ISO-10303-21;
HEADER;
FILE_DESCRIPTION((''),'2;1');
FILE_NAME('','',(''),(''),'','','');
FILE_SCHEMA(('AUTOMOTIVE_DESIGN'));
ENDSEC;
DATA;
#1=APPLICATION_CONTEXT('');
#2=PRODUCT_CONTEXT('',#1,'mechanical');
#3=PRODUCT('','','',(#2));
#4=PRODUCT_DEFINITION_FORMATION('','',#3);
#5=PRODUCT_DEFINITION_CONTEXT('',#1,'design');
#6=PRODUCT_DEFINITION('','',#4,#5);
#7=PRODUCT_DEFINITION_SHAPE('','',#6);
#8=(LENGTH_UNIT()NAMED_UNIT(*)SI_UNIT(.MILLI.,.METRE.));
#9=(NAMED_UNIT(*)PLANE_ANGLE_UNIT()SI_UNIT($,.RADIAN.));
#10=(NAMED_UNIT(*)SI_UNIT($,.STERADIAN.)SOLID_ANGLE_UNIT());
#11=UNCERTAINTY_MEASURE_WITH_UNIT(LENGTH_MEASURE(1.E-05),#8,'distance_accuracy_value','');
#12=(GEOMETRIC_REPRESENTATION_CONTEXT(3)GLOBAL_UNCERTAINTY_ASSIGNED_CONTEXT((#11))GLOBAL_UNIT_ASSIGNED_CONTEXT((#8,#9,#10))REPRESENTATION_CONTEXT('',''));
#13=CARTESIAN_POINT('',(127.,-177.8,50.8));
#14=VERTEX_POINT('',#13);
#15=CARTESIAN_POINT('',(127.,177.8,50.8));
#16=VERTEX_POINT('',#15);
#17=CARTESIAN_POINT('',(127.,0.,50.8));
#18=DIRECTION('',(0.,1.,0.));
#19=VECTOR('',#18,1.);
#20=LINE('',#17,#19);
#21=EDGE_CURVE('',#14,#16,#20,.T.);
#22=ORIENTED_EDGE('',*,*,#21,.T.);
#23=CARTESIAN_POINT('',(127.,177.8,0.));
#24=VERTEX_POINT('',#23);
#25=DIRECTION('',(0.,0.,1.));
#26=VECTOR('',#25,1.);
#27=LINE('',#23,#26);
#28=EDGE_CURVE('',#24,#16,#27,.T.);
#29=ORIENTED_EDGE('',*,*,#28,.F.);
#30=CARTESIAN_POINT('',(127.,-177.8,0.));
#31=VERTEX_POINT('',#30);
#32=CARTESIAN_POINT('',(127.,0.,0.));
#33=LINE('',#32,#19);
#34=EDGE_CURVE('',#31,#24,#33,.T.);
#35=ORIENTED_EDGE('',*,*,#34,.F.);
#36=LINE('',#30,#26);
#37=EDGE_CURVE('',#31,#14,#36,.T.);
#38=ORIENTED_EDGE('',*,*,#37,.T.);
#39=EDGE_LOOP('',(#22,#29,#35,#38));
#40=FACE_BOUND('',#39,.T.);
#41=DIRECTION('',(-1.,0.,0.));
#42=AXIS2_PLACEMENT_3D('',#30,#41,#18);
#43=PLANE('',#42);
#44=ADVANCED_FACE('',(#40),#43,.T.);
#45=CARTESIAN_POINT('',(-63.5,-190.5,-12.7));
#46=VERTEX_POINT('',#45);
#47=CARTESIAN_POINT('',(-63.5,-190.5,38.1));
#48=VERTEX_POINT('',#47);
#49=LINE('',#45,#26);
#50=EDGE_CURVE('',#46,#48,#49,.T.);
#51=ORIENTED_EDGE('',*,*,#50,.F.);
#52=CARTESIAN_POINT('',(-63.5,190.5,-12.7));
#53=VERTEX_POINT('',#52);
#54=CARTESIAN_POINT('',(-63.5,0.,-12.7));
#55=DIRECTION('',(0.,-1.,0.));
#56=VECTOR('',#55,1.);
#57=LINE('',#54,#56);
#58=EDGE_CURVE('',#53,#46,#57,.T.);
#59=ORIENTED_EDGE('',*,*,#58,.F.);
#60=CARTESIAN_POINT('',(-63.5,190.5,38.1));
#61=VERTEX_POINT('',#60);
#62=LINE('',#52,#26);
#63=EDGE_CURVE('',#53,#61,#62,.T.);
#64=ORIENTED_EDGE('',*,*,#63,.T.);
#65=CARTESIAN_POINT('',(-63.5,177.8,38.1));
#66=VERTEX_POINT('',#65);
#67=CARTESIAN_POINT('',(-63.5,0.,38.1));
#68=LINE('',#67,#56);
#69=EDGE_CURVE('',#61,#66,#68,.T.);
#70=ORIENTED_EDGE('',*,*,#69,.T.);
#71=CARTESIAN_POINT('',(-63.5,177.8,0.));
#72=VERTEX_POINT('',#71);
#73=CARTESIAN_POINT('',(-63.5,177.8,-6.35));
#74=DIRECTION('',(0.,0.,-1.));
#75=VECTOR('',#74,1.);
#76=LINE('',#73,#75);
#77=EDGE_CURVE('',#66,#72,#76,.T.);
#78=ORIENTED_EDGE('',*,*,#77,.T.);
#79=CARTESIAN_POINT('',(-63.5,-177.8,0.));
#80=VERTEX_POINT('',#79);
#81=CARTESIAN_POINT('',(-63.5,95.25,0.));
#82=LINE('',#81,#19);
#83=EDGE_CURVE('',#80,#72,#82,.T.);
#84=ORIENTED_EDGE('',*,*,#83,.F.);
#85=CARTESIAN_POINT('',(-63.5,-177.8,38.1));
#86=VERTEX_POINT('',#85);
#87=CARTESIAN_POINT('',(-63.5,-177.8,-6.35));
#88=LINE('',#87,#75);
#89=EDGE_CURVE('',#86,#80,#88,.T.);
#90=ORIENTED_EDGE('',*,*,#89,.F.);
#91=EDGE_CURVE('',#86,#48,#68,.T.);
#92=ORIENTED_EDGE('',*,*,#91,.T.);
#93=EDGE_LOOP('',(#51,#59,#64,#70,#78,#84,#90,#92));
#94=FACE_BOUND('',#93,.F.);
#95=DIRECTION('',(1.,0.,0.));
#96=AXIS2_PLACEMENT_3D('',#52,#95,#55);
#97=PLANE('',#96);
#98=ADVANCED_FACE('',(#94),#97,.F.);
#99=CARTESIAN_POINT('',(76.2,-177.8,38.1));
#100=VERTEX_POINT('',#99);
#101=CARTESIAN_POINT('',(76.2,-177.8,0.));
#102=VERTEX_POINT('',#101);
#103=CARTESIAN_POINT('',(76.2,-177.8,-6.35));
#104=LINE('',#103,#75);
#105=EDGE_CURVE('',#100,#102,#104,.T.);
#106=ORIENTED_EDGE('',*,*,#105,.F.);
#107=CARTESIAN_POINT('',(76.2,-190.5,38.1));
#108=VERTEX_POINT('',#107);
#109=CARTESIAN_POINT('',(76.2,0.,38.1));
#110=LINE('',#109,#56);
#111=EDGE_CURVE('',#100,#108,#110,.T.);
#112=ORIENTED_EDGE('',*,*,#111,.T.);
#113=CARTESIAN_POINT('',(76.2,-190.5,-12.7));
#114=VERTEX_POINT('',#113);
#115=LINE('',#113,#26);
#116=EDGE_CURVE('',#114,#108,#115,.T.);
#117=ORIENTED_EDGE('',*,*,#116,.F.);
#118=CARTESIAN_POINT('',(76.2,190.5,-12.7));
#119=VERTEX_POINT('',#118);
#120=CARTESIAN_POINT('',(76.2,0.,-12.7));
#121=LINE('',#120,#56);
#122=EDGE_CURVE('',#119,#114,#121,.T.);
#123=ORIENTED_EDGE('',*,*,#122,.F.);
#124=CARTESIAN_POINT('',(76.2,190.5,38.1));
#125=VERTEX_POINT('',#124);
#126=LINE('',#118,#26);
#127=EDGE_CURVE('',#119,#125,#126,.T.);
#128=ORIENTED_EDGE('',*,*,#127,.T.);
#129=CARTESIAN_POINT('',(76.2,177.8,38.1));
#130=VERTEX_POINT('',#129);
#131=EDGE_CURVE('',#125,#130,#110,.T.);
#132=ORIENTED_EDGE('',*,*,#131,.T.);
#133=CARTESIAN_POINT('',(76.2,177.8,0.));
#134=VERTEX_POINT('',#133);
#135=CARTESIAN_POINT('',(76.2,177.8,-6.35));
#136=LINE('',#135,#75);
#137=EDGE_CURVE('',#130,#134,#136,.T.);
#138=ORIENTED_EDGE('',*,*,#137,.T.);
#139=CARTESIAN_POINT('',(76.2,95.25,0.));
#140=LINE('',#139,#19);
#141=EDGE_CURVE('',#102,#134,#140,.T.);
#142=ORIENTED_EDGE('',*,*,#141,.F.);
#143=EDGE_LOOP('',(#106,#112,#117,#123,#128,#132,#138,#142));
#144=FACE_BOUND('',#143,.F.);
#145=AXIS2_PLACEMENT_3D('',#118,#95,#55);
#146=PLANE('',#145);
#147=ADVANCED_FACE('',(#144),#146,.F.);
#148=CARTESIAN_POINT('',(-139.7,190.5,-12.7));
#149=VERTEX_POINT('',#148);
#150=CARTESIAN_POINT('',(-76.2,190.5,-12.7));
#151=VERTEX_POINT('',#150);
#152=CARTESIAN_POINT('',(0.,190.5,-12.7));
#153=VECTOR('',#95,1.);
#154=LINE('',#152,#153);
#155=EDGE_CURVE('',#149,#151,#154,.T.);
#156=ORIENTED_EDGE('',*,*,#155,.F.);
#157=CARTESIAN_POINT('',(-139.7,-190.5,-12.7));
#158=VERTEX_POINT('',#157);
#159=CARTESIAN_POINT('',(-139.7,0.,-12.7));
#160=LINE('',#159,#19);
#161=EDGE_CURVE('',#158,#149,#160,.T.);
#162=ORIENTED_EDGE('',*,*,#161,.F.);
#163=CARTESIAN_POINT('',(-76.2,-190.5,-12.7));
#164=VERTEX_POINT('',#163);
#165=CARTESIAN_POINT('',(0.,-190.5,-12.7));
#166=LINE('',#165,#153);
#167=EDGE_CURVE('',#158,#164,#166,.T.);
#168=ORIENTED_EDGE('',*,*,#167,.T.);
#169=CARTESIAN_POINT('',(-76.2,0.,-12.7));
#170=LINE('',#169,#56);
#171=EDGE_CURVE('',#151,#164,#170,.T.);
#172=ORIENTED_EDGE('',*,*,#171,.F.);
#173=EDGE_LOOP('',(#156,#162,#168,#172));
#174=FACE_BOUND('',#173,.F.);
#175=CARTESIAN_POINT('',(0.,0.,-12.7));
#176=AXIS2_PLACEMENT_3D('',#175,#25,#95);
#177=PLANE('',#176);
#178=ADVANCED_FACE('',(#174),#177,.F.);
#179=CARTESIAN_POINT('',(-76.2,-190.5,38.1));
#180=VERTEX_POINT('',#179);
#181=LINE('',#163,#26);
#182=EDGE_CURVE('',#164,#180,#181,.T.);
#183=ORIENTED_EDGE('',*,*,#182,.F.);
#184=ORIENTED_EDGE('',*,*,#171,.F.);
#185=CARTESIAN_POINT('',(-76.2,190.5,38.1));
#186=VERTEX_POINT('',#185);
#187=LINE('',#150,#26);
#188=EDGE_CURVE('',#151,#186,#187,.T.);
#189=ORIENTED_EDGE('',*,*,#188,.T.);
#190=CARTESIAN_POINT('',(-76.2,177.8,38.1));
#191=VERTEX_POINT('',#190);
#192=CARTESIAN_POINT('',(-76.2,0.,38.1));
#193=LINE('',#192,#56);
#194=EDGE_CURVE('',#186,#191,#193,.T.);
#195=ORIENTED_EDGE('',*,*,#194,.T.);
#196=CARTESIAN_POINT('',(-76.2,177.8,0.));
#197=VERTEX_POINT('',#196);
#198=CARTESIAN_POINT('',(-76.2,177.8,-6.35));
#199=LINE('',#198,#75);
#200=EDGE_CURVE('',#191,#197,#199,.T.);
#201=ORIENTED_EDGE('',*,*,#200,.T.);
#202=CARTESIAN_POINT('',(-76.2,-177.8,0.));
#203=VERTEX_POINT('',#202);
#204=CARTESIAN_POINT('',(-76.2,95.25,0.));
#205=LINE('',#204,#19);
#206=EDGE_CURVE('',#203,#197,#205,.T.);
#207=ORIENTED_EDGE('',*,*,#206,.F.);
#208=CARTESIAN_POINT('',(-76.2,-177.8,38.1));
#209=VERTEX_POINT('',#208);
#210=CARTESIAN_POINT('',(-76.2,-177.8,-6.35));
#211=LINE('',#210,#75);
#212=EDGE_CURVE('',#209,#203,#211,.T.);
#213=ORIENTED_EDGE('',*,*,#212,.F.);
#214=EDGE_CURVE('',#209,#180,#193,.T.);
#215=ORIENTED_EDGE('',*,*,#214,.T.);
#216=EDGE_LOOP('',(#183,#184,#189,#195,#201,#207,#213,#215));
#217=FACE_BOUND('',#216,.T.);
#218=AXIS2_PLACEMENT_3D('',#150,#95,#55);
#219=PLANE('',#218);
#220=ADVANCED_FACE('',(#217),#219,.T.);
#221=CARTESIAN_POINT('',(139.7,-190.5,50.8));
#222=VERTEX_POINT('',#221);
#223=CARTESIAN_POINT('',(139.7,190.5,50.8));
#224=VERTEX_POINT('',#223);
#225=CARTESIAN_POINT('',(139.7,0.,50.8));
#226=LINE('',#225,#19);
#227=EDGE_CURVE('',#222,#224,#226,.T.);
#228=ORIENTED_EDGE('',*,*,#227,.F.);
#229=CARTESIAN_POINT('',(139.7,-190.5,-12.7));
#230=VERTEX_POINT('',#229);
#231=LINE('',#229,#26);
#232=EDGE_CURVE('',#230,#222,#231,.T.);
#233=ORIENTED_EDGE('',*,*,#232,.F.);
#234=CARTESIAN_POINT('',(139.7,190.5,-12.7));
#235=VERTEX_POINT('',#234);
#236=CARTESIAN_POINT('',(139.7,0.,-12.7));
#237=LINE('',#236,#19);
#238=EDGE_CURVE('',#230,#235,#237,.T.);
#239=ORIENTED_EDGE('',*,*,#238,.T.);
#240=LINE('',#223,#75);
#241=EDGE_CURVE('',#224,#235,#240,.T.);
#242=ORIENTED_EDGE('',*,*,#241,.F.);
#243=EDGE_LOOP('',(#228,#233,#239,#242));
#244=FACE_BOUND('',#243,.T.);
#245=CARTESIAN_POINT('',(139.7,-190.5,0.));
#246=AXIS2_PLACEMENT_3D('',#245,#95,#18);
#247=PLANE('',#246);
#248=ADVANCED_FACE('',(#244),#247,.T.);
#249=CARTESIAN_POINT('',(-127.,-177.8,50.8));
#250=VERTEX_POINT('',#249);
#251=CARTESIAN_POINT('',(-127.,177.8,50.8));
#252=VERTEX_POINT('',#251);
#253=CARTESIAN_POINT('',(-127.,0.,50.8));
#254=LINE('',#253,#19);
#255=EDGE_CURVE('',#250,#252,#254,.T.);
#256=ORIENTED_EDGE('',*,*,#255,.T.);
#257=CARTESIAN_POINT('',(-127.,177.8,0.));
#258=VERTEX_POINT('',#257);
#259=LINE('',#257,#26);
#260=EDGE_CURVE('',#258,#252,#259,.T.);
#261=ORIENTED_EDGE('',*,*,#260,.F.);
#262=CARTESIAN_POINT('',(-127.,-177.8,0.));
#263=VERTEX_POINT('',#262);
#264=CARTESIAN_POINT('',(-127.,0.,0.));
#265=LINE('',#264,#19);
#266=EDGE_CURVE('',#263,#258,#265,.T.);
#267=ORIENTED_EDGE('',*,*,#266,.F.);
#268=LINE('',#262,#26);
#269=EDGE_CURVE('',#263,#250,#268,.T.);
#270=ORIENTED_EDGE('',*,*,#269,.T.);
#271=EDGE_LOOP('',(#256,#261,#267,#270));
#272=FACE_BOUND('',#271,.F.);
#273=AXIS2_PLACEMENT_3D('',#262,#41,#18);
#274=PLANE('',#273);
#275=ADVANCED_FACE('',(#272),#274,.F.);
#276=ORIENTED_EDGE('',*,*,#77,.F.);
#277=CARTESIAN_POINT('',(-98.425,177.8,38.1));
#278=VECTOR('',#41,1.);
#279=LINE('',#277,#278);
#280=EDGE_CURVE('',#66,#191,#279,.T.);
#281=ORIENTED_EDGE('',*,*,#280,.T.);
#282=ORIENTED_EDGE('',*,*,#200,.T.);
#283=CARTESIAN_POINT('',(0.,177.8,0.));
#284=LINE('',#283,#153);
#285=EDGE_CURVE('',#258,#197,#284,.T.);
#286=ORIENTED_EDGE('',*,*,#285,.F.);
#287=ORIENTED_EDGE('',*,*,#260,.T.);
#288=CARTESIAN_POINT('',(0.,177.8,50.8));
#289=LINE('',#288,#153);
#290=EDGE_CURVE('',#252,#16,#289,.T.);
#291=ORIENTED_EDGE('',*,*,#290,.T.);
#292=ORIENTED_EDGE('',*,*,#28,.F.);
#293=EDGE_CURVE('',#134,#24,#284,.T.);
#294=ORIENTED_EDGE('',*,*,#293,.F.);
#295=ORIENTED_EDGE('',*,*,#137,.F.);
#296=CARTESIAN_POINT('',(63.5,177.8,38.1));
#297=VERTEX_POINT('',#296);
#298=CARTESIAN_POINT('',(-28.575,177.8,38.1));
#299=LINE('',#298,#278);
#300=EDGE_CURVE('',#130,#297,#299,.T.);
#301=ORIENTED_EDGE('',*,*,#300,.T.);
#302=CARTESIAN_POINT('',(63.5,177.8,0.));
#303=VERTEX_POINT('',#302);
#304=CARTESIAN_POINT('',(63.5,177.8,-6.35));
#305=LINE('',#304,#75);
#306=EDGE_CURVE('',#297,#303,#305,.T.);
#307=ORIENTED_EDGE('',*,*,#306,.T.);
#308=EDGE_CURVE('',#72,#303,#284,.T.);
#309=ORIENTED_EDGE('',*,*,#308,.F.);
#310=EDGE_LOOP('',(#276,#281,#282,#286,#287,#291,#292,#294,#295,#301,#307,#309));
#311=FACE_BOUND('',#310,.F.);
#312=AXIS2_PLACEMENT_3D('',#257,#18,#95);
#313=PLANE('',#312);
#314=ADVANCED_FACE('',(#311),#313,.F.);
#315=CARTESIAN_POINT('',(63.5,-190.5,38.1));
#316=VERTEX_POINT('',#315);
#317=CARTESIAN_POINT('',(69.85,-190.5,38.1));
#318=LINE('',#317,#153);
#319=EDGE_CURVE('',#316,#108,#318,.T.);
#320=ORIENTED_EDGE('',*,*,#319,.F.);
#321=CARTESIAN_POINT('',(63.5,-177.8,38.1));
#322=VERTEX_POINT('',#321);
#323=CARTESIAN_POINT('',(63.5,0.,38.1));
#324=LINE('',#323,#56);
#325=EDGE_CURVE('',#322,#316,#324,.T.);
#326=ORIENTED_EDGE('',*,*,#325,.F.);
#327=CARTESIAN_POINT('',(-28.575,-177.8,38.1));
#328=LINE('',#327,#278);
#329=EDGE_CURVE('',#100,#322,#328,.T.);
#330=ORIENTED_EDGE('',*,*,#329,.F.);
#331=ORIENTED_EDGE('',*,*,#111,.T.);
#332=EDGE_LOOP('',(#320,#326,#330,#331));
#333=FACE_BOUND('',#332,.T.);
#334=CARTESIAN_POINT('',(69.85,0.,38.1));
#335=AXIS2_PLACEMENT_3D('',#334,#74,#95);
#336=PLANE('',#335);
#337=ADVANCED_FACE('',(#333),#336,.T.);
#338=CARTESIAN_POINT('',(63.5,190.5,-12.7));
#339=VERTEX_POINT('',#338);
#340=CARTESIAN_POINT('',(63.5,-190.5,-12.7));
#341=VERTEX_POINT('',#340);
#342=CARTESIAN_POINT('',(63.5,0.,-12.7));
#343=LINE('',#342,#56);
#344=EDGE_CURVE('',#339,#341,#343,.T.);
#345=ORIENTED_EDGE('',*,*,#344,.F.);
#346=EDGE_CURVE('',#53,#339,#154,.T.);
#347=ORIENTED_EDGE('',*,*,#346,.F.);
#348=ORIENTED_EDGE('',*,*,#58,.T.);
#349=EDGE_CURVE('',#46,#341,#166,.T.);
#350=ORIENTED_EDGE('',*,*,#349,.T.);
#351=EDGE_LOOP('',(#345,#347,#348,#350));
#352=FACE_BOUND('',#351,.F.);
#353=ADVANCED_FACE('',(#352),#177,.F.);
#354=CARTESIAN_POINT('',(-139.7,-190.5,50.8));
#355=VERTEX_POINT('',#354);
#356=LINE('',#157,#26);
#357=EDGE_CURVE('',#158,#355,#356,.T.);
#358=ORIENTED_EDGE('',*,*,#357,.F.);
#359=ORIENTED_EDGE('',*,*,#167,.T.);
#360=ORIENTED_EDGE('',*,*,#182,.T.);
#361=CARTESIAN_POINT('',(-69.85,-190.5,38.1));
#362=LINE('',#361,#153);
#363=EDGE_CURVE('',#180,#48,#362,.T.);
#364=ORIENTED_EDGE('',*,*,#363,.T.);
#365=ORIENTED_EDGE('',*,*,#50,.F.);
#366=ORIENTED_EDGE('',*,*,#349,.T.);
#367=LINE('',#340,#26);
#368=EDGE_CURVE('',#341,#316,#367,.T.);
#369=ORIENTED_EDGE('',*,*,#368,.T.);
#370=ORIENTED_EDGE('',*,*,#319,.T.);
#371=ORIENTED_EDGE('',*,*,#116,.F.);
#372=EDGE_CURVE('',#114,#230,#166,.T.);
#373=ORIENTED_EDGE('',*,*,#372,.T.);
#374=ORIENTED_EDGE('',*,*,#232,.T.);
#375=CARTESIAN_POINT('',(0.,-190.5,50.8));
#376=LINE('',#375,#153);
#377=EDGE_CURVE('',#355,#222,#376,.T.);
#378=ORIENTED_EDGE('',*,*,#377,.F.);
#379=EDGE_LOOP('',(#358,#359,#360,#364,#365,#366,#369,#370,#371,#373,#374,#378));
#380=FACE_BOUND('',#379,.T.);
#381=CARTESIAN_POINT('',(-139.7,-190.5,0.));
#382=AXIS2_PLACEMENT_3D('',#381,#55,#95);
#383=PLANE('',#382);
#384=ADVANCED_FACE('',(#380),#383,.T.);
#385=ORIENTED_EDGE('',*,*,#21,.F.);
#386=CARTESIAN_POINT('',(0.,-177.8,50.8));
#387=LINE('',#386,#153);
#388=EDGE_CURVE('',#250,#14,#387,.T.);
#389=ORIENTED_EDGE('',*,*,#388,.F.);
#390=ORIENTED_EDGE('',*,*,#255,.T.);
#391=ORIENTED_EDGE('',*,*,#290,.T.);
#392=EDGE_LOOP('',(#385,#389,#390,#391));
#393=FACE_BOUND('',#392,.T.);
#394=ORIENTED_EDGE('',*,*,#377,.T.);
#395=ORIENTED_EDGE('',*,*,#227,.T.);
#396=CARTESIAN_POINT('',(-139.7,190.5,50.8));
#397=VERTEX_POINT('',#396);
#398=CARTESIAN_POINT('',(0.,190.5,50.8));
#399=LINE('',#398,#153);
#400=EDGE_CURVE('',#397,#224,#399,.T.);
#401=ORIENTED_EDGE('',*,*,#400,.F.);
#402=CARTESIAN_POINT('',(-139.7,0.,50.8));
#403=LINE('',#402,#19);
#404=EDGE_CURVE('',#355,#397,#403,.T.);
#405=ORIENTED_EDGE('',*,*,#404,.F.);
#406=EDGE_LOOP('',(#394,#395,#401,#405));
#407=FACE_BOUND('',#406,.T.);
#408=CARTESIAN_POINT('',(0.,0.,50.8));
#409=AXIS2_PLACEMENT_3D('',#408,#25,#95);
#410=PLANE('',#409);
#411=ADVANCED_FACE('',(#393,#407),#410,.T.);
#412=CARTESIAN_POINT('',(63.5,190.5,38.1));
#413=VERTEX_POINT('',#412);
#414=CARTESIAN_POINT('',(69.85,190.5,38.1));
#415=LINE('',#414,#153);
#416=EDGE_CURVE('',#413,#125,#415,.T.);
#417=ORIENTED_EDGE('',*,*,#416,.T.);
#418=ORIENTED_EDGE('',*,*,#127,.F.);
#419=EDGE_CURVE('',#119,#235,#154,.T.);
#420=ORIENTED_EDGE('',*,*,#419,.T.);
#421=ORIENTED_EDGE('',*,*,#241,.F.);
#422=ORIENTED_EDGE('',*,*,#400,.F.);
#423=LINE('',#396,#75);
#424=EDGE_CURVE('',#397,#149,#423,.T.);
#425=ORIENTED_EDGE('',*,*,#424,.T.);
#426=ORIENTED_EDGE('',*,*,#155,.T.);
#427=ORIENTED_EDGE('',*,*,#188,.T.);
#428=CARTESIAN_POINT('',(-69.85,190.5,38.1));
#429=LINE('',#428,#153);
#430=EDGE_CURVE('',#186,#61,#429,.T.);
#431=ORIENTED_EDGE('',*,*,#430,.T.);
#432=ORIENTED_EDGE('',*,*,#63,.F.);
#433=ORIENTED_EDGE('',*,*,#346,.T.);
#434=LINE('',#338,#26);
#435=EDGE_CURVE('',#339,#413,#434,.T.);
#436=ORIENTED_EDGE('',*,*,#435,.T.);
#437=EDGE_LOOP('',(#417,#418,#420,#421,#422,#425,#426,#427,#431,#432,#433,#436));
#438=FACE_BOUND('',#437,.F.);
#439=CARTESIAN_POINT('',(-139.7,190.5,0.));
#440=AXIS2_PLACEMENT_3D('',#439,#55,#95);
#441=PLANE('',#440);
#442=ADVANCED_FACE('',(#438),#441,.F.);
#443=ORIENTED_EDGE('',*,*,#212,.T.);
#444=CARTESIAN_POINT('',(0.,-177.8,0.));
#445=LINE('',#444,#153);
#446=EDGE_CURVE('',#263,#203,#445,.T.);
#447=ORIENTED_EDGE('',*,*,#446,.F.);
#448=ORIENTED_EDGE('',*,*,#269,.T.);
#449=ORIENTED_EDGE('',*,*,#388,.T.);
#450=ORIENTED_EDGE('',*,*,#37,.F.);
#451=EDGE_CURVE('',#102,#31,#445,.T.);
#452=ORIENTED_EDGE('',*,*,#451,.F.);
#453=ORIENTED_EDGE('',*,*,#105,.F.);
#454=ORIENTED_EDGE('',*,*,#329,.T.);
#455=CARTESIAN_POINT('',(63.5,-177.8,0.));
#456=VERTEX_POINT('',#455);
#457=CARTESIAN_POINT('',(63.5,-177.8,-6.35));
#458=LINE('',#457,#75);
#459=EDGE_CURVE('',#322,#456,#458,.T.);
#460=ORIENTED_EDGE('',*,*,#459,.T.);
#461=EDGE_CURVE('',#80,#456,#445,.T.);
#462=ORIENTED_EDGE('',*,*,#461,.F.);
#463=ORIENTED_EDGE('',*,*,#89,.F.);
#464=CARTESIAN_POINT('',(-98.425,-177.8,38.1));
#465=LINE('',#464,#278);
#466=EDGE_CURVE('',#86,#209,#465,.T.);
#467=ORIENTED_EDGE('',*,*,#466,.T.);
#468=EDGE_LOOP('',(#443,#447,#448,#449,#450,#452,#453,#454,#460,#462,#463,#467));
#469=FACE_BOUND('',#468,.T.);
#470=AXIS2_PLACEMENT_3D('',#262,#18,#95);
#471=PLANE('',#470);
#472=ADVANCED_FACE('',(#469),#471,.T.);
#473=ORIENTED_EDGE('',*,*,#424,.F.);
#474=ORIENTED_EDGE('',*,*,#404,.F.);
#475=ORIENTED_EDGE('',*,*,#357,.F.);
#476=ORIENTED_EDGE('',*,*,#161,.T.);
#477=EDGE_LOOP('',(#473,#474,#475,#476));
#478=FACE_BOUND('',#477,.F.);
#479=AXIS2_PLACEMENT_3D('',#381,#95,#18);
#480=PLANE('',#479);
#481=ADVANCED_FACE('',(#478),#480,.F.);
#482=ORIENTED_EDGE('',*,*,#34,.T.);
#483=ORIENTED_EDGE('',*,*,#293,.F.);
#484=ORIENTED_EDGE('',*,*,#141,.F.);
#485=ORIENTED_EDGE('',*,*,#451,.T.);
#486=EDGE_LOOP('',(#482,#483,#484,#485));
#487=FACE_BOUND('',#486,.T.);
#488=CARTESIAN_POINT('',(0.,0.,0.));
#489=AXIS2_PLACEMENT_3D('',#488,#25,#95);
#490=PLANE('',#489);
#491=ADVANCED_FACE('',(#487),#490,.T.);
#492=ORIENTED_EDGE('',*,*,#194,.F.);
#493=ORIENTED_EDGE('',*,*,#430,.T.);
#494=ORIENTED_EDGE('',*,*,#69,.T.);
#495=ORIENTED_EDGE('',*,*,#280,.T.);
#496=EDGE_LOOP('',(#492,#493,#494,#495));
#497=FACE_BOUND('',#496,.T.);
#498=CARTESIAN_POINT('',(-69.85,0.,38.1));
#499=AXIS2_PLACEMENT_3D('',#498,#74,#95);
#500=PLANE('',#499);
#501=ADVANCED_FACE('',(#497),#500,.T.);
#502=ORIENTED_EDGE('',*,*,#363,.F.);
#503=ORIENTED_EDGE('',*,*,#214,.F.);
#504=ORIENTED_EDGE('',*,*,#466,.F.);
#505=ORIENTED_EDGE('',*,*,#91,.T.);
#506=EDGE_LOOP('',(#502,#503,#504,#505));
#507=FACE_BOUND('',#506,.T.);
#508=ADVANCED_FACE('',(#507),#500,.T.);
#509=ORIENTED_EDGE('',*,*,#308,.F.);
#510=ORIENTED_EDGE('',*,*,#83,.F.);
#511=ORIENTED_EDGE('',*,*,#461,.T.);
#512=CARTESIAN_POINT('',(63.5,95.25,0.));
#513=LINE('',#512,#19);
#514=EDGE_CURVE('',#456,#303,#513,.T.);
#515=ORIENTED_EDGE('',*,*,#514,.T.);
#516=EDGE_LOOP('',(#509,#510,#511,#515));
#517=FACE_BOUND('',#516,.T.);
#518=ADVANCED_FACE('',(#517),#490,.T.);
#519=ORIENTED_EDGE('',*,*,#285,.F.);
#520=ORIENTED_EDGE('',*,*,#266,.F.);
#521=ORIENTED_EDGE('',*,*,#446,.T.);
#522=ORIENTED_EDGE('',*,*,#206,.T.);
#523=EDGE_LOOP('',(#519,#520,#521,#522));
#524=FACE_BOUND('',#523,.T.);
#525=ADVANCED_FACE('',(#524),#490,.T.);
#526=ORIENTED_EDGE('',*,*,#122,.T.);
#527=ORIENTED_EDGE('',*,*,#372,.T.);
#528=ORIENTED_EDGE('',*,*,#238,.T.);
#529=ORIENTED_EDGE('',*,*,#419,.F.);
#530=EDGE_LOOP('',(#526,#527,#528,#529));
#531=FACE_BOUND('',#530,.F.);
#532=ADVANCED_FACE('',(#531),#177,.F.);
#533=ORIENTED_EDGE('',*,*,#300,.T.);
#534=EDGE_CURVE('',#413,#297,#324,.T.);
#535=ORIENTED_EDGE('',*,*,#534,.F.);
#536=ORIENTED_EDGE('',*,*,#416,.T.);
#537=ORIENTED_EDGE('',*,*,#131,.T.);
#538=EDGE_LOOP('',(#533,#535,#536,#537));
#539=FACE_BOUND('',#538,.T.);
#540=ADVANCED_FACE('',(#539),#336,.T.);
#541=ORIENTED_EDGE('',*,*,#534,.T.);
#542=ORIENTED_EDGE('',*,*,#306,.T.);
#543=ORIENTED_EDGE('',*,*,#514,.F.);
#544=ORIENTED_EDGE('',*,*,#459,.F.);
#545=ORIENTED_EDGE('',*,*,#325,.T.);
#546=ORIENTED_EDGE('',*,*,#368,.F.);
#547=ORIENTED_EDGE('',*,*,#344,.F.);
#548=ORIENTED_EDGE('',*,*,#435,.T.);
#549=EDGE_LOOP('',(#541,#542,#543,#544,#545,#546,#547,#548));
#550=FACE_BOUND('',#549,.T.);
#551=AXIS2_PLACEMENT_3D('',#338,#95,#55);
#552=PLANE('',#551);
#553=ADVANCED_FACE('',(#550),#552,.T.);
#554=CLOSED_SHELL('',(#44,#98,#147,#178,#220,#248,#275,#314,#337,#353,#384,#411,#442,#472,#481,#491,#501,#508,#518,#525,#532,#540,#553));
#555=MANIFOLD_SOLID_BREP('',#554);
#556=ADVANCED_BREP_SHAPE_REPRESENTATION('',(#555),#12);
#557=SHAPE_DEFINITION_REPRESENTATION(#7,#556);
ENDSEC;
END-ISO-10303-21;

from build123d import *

# Parameters (mm, degrees)
F0_W     = 279.4
F0_H     = 381
F0_W_2   = 254
F0_H_2   = 355.6
F1_DEPTH = 50.8
F2_DEPTH = 12.7
F3_W     = 12.7
F3_H     = 381
F4_DEPTH = 50.8


with BuildPart() as f1:
    # F0 (on Top) → F1 (new body)
    with BuildSketch(Plane.XY):
        Rectangle(F0_W, F0_H)
        Rectangle(F0_W_2, F0_H_2, mode=Mode.SUBTRACT)
    extrude(amount=F1_DEPTH)

    # F0 (on Top) → F2 (join)
    with BuildSketch(Plane.XY):
        Rectangle(F0_W, F0_H)
        Rectangle(F0_W_2, F0_H_2, mode=Mode.SUBTRACT)
        Rectangle(F0_W_2, F0_H_2)
    extrude(amount=-F2_DEPTH)

    # F3 (on face) → F4 (cut)
    with BuildSketch(Plane(origin=(0, 0, -12.7), x_dir=(1, 0, 0), z_dir=(0, 0, -1))):
        with Locations((-69.85, 0)):
            Rectangle(F3_W, F3_H)
        with Locations((69.85, 0)):
            Rectangle(F3_W, F3_H)
    extrude(amount=-F4_DEPTH, mode=Mode.SUBTRACT)


solid = f1.part
